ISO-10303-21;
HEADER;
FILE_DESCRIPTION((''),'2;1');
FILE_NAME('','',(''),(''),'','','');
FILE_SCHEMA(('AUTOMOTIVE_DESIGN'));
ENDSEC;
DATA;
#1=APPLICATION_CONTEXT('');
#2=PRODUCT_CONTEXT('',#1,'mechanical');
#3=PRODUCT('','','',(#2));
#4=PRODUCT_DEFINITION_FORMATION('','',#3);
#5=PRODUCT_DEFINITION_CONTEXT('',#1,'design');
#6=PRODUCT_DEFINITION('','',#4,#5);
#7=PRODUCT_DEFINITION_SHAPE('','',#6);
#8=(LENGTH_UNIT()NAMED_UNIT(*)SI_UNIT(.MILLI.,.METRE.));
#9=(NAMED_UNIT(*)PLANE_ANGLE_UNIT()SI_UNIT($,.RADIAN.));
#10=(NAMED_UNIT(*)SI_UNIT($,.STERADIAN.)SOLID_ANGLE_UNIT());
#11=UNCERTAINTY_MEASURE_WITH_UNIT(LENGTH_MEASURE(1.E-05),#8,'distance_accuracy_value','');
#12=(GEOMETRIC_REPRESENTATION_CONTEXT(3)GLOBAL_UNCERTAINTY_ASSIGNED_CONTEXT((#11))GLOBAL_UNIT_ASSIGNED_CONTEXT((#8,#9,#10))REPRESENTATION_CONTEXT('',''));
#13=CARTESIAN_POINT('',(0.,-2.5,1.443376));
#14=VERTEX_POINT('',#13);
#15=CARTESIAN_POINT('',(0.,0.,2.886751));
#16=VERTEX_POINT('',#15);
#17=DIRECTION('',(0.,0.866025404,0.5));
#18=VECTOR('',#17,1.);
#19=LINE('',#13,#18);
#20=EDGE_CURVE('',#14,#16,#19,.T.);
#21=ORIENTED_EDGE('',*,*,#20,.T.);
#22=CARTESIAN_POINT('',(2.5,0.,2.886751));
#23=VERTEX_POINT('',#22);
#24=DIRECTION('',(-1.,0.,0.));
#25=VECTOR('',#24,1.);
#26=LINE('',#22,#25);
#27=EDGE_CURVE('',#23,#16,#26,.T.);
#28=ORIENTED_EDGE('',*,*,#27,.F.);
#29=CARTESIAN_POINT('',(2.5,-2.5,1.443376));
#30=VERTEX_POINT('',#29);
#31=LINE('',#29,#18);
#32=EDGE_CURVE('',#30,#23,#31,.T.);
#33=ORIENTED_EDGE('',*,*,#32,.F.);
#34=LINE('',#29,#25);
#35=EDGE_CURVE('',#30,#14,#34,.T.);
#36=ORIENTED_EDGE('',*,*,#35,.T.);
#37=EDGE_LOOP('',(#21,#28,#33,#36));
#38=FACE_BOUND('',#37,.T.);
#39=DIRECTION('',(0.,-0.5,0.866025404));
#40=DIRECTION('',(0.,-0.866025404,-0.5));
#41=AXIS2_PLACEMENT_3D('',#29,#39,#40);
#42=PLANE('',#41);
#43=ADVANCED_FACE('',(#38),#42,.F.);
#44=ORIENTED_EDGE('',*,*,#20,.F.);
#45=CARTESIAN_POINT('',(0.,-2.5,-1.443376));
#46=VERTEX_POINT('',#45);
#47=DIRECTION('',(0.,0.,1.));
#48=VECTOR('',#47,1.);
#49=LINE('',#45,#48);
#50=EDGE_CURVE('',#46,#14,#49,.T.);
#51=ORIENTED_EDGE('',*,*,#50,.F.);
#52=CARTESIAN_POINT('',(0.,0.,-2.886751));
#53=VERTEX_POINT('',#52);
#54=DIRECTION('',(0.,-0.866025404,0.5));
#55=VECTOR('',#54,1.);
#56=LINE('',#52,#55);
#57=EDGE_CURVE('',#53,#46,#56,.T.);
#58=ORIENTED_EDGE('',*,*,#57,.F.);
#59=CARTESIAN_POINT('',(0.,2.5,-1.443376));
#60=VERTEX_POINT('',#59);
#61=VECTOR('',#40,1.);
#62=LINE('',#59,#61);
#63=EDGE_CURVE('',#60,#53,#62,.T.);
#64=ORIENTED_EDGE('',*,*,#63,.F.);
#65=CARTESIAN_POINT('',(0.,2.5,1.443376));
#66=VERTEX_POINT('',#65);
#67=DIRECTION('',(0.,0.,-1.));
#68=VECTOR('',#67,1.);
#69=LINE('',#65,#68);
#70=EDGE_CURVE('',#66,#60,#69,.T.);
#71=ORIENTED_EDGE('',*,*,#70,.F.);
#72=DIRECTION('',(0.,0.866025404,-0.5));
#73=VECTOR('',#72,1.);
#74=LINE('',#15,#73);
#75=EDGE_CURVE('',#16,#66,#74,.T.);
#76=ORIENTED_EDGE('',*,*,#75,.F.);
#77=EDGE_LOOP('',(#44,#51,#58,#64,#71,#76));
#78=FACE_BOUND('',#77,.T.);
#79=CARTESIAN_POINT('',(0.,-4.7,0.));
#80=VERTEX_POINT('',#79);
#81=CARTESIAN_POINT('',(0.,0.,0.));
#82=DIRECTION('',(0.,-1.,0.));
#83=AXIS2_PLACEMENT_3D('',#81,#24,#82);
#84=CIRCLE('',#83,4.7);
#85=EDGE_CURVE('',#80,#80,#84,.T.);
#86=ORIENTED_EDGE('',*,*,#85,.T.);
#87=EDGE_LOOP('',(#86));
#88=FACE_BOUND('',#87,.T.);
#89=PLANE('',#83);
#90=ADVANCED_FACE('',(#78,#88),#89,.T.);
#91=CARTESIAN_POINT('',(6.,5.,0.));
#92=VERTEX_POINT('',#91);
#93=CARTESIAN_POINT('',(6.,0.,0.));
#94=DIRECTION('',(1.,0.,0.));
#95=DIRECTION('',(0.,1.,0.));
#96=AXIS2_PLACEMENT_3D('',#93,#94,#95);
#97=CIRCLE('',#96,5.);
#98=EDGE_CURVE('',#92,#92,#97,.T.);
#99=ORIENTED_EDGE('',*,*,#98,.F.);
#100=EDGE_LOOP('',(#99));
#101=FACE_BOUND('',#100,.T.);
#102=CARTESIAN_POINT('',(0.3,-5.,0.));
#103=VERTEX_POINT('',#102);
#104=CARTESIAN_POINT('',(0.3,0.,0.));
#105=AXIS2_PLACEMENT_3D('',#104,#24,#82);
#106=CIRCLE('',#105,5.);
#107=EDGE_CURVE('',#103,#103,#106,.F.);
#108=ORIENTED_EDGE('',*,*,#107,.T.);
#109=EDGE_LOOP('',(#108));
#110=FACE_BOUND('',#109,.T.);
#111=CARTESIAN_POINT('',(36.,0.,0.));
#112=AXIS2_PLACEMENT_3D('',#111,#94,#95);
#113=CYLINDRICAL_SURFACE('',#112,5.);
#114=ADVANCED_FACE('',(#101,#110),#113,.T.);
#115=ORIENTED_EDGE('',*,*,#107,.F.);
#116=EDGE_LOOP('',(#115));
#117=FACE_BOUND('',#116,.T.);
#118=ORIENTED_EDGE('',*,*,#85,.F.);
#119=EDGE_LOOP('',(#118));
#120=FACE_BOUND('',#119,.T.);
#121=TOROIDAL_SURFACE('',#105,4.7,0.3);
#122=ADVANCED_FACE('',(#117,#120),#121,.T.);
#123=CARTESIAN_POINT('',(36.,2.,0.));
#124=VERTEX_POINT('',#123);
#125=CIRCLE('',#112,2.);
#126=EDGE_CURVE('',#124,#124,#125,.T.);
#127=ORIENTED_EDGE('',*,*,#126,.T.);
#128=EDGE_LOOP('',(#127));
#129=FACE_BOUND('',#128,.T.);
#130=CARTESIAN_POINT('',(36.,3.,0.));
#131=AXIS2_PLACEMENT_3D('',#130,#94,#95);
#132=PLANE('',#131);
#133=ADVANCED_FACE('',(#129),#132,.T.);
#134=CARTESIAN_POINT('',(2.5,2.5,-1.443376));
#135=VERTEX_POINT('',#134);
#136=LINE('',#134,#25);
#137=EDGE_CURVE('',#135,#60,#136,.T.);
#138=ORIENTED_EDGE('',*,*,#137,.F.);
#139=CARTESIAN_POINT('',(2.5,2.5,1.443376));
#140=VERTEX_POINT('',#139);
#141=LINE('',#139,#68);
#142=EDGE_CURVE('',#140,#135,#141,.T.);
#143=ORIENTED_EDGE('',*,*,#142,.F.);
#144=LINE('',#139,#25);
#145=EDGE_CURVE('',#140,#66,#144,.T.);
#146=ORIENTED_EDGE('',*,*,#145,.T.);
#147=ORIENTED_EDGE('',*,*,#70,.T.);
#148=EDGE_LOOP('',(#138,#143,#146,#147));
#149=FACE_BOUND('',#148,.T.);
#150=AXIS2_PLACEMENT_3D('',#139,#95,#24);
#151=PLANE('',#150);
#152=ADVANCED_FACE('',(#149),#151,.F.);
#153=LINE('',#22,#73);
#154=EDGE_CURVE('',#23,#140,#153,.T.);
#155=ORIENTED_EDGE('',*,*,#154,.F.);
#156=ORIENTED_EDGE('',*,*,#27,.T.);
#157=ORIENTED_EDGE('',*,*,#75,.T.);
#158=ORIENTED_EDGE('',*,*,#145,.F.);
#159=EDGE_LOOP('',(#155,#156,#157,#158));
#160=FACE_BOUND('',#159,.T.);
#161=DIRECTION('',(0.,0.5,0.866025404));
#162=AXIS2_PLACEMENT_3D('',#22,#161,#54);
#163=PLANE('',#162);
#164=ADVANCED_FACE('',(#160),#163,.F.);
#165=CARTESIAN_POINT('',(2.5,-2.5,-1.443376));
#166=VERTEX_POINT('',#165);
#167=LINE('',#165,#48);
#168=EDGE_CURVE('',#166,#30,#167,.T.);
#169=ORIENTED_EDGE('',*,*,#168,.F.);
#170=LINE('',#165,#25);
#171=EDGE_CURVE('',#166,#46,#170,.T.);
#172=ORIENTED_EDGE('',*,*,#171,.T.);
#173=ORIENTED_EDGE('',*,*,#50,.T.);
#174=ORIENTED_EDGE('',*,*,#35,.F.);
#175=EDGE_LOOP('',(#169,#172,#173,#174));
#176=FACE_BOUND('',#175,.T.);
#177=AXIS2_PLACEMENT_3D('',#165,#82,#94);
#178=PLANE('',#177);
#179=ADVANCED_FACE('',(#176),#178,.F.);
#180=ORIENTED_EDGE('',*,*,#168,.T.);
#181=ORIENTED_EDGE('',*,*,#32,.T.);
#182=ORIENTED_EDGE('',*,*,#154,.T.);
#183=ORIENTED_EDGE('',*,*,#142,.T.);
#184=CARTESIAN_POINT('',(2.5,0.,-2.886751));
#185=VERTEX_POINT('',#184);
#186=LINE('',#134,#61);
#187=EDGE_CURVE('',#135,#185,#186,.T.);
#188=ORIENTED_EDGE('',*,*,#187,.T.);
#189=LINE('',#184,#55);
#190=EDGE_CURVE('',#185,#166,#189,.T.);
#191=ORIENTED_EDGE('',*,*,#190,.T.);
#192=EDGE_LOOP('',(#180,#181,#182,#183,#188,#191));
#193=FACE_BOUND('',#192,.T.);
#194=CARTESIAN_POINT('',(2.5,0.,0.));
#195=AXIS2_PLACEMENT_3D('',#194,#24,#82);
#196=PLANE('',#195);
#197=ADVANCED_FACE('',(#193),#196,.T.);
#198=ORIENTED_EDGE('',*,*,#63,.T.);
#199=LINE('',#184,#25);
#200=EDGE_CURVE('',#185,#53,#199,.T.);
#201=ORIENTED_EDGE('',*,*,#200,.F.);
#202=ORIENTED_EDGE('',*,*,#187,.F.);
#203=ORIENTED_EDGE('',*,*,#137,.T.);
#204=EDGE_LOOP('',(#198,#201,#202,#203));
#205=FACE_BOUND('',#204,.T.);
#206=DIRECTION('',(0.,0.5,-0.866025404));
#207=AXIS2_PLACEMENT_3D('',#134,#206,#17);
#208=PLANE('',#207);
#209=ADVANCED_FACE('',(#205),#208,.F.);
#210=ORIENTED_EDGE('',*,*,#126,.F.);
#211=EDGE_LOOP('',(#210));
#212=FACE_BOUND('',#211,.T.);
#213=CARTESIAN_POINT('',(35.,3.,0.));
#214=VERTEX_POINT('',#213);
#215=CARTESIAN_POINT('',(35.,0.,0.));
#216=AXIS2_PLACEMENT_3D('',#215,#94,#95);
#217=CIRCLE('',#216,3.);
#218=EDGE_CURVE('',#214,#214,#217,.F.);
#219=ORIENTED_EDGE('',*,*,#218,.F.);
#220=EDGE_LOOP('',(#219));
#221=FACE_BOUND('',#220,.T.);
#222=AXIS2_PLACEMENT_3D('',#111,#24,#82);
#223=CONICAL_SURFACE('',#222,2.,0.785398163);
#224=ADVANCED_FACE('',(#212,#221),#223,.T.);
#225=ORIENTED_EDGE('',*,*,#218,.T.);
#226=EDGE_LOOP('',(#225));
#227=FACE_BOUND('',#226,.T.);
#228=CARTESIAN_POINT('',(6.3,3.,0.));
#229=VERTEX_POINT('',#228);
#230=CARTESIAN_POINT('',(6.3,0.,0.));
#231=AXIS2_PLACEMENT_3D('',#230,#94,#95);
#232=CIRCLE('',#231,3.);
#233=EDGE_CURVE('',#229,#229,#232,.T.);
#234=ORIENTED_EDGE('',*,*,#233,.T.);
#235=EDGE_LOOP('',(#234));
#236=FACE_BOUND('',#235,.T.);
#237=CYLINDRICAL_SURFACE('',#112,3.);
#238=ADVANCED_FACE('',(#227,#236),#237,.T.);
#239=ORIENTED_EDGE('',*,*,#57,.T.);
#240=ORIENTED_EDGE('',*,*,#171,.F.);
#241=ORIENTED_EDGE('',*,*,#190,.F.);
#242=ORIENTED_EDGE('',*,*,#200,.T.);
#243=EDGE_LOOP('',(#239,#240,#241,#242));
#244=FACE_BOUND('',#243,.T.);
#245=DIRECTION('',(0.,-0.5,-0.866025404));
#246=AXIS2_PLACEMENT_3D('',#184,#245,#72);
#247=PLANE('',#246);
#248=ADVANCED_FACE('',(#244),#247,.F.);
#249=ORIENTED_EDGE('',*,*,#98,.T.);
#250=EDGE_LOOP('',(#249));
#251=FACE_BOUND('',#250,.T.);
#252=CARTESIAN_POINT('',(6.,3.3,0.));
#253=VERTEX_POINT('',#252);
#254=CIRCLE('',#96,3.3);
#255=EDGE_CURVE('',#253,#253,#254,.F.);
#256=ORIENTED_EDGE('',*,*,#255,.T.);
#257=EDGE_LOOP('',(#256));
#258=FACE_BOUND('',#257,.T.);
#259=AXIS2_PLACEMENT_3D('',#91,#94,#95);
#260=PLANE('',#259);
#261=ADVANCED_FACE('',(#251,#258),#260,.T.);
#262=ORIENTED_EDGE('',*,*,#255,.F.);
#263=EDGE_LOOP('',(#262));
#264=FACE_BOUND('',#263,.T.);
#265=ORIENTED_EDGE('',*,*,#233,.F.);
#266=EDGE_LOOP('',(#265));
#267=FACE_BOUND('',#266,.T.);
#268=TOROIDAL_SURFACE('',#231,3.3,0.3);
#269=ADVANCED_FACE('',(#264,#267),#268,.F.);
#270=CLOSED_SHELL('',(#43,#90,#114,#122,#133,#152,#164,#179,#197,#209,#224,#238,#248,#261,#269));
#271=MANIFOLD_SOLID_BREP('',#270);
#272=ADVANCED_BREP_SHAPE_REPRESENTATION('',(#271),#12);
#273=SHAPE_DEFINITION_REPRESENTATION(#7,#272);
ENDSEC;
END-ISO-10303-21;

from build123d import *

# Parameters (mm, degrees)
CUT_EXTRUDE_1_DEPTH = 2.5
FILLET_1_R          = 0.3
CHAMFER_1_SIZE      = 1


with BuildPart() as part:
    # Эскиз1 → Повернуть1 (revolve)
    with BuildSketch(Plane.XY):
        Polygon((0, 0), (0, 5), (6, 5), (6, 3), (36, 3), (36, 0), align=None)
    revolve(axis=Axis((36, 0, 0), (-1, 0, 0)))

    # Эскиз2 → Вырез-Вытянуть1 (cut)
    with BuildSketch(Plane.ZY):
        Polygon((-1.443375673, 2.5), (-2.886751346, 0), (-1.443375673, -2.5), (1.443375673, -2.5), (2.886751346, 0), (1.443375673, 2.5), align=None)
    extrude(amount=-CUT_EXTRUDE_1_DEPTH, mode=Mode.SUBTRACT)

    # Скругление1
    fillet_1_edges = [part.edges().sort_by_distance(p)[0] for p in [
        (6, -3, 0),
        (0, -5, 0),
    ]]
    fillet(fillet_1_edges, radius=FILLET_1_R)

    # Фаска1
    chamfer_1_edges = [part.edges().sort_by_distance(p)[0] for p in [
        (36, -3, 0),
    ]]
    chamfer(chamfer_1_edges, length=CHAMFER_1_SIZE)


solid = part.part
